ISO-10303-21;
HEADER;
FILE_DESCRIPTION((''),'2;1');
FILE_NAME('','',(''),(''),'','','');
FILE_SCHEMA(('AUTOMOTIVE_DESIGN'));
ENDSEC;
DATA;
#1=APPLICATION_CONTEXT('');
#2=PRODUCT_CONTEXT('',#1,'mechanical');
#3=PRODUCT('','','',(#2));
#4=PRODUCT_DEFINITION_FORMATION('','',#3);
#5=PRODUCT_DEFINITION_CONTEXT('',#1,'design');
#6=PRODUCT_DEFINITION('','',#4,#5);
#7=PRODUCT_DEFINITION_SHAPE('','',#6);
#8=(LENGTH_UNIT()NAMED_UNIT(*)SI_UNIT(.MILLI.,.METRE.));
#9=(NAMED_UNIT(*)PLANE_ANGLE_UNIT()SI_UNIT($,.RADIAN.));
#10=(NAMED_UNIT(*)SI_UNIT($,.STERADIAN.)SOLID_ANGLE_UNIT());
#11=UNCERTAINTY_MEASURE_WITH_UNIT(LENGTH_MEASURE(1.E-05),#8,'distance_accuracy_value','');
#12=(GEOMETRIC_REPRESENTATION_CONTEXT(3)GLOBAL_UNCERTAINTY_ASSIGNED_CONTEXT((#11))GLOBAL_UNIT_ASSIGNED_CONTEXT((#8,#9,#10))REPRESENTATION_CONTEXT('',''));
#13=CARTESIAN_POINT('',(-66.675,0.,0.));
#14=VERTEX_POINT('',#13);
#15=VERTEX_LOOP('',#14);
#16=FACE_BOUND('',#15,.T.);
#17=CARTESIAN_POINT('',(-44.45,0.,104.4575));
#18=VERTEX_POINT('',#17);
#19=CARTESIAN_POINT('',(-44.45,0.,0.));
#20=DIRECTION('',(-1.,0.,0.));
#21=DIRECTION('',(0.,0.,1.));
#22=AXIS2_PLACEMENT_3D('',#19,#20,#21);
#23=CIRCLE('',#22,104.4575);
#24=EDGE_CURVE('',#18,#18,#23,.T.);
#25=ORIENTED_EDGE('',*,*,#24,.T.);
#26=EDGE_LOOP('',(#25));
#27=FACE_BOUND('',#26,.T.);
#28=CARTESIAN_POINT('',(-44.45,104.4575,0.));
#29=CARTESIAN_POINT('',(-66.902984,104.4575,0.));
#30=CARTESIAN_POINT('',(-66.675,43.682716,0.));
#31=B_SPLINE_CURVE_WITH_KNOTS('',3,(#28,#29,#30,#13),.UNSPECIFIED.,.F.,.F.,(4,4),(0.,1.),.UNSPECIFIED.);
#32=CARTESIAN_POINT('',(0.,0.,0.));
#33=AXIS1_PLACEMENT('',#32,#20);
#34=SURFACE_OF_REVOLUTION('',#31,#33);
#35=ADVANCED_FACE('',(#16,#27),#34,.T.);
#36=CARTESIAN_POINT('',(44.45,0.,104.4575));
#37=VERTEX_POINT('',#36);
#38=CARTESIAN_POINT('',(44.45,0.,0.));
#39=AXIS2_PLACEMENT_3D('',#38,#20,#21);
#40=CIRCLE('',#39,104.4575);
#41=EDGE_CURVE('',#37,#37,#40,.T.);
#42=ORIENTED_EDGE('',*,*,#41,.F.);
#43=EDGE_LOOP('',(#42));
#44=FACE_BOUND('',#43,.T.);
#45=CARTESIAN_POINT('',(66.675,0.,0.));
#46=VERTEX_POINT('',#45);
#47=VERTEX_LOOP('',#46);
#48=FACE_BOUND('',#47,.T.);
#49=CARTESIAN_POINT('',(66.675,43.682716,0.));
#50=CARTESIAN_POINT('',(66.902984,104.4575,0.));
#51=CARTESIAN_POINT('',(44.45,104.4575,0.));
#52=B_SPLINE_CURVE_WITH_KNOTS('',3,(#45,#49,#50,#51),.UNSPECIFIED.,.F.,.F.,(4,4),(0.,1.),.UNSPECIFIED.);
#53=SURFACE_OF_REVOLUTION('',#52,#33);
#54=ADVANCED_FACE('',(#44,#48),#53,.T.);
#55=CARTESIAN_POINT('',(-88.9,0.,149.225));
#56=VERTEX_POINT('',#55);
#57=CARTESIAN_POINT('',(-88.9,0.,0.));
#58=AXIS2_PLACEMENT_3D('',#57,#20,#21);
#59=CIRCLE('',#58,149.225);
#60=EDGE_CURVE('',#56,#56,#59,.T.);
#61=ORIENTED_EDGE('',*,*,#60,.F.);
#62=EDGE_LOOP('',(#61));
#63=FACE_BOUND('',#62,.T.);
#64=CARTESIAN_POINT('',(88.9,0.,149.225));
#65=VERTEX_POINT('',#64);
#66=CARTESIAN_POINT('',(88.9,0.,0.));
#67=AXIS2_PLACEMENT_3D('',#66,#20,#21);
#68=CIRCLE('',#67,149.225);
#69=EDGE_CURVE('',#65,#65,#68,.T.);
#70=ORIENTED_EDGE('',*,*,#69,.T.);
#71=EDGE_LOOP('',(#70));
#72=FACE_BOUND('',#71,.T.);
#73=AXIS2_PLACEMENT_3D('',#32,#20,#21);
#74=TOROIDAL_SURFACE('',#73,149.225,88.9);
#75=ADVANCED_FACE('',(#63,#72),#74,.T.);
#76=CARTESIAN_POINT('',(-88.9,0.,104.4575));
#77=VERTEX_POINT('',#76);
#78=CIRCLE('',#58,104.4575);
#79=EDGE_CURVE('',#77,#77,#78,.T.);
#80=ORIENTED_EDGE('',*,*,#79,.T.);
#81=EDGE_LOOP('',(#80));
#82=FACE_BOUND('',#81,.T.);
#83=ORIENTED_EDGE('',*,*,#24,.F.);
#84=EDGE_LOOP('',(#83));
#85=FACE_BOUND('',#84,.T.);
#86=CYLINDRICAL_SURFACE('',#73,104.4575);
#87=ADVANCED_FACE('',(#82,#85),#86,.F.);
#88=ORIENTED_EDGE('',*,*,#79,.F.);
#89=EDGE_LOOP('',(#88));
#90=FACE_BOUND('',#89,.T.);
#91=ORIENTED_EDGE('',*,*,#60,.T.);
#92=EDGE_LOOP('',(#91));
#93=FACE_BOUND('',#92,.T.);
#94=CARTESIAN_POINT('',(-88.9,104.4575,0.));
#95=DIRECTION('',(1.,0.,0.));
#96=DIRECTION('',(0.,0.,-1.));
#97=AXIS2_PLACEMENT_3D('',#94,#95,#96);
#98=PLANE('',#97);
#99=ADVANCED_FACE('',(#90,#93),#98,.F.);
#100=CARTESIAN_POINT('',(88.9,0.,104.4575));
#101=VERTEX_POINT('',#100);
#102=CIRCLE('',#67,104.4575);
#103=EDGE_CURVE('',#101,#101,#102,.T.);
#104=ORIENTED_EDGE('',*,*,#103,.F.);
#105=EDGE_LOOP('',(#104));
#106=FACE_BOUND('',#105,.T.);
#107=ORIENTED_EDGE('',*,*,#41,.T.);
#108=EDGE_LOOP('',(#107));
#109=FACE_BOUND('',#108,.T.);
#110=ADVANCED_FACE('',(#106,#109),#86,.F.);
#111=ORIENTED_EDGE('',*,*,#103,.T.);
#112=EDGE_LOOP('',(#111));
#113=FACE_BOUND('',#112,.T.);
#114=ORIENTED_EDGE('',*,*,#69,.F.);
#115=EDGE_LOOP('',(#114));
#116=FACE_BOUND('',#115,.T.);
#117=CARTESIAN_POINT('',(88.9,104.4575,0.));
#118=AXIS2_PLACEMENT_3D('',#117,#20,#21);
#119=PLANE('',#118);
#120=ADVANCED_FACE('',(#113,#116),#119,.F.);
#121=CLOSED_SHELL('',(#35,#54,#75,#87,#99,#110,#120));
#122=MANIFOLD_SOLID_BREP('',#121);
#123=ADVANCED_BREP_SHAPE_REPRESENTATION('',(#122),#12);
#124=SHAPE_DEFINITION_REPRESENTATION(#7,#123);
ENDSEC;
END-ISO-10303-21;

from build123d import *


with BuildPart() as part:
    # Sketch3 → Revolve1 (revolve)
    with BuildSketch(Plane.XY, mode=Mode.PRIVATE) as revolve1_sk:
        with BuildLine():
            Line((-66.675, 0), (66.675, 0))
            add(Edge.make_bspline(
                [(44.45, 104.4575), (66.90298373, 104.4575), (66.675, 43.682715928), (66.675, 0)],
                knots=[0, 0, 0, 0, 1, 1, 1, 1], degree=3))
            Line((44.45, 104.4575), (88.9, 104.4575))
            Line((88.9, 104.4575), (88.9, 149.225))
            ThreePointArc((88.9, 149.225), (0, 238.125), (-88.9, 149.225))
            Line((-88.9, 149.225), (-88.9, 104.4575))
            Line((-88.9, 104.4575), (-44.45, 104.4575))
            add(Edge.make_bspline(
                [(-44.45, 104.4575), (-66.90298373, 104.4575), (-66.675, 43.682715928), (-66.675, 0)],
                knots=[0, 0, 0, 0, 1, 1, 1, 1], degree=3))
        make_face()
    revolve(revolve1_sk.sketch.rotate(Axis((0, 0, 0), (1, 0, 0)), 90), axis=Axis((0, 0, 0), (1, 0, 0)))


solid = part.part
